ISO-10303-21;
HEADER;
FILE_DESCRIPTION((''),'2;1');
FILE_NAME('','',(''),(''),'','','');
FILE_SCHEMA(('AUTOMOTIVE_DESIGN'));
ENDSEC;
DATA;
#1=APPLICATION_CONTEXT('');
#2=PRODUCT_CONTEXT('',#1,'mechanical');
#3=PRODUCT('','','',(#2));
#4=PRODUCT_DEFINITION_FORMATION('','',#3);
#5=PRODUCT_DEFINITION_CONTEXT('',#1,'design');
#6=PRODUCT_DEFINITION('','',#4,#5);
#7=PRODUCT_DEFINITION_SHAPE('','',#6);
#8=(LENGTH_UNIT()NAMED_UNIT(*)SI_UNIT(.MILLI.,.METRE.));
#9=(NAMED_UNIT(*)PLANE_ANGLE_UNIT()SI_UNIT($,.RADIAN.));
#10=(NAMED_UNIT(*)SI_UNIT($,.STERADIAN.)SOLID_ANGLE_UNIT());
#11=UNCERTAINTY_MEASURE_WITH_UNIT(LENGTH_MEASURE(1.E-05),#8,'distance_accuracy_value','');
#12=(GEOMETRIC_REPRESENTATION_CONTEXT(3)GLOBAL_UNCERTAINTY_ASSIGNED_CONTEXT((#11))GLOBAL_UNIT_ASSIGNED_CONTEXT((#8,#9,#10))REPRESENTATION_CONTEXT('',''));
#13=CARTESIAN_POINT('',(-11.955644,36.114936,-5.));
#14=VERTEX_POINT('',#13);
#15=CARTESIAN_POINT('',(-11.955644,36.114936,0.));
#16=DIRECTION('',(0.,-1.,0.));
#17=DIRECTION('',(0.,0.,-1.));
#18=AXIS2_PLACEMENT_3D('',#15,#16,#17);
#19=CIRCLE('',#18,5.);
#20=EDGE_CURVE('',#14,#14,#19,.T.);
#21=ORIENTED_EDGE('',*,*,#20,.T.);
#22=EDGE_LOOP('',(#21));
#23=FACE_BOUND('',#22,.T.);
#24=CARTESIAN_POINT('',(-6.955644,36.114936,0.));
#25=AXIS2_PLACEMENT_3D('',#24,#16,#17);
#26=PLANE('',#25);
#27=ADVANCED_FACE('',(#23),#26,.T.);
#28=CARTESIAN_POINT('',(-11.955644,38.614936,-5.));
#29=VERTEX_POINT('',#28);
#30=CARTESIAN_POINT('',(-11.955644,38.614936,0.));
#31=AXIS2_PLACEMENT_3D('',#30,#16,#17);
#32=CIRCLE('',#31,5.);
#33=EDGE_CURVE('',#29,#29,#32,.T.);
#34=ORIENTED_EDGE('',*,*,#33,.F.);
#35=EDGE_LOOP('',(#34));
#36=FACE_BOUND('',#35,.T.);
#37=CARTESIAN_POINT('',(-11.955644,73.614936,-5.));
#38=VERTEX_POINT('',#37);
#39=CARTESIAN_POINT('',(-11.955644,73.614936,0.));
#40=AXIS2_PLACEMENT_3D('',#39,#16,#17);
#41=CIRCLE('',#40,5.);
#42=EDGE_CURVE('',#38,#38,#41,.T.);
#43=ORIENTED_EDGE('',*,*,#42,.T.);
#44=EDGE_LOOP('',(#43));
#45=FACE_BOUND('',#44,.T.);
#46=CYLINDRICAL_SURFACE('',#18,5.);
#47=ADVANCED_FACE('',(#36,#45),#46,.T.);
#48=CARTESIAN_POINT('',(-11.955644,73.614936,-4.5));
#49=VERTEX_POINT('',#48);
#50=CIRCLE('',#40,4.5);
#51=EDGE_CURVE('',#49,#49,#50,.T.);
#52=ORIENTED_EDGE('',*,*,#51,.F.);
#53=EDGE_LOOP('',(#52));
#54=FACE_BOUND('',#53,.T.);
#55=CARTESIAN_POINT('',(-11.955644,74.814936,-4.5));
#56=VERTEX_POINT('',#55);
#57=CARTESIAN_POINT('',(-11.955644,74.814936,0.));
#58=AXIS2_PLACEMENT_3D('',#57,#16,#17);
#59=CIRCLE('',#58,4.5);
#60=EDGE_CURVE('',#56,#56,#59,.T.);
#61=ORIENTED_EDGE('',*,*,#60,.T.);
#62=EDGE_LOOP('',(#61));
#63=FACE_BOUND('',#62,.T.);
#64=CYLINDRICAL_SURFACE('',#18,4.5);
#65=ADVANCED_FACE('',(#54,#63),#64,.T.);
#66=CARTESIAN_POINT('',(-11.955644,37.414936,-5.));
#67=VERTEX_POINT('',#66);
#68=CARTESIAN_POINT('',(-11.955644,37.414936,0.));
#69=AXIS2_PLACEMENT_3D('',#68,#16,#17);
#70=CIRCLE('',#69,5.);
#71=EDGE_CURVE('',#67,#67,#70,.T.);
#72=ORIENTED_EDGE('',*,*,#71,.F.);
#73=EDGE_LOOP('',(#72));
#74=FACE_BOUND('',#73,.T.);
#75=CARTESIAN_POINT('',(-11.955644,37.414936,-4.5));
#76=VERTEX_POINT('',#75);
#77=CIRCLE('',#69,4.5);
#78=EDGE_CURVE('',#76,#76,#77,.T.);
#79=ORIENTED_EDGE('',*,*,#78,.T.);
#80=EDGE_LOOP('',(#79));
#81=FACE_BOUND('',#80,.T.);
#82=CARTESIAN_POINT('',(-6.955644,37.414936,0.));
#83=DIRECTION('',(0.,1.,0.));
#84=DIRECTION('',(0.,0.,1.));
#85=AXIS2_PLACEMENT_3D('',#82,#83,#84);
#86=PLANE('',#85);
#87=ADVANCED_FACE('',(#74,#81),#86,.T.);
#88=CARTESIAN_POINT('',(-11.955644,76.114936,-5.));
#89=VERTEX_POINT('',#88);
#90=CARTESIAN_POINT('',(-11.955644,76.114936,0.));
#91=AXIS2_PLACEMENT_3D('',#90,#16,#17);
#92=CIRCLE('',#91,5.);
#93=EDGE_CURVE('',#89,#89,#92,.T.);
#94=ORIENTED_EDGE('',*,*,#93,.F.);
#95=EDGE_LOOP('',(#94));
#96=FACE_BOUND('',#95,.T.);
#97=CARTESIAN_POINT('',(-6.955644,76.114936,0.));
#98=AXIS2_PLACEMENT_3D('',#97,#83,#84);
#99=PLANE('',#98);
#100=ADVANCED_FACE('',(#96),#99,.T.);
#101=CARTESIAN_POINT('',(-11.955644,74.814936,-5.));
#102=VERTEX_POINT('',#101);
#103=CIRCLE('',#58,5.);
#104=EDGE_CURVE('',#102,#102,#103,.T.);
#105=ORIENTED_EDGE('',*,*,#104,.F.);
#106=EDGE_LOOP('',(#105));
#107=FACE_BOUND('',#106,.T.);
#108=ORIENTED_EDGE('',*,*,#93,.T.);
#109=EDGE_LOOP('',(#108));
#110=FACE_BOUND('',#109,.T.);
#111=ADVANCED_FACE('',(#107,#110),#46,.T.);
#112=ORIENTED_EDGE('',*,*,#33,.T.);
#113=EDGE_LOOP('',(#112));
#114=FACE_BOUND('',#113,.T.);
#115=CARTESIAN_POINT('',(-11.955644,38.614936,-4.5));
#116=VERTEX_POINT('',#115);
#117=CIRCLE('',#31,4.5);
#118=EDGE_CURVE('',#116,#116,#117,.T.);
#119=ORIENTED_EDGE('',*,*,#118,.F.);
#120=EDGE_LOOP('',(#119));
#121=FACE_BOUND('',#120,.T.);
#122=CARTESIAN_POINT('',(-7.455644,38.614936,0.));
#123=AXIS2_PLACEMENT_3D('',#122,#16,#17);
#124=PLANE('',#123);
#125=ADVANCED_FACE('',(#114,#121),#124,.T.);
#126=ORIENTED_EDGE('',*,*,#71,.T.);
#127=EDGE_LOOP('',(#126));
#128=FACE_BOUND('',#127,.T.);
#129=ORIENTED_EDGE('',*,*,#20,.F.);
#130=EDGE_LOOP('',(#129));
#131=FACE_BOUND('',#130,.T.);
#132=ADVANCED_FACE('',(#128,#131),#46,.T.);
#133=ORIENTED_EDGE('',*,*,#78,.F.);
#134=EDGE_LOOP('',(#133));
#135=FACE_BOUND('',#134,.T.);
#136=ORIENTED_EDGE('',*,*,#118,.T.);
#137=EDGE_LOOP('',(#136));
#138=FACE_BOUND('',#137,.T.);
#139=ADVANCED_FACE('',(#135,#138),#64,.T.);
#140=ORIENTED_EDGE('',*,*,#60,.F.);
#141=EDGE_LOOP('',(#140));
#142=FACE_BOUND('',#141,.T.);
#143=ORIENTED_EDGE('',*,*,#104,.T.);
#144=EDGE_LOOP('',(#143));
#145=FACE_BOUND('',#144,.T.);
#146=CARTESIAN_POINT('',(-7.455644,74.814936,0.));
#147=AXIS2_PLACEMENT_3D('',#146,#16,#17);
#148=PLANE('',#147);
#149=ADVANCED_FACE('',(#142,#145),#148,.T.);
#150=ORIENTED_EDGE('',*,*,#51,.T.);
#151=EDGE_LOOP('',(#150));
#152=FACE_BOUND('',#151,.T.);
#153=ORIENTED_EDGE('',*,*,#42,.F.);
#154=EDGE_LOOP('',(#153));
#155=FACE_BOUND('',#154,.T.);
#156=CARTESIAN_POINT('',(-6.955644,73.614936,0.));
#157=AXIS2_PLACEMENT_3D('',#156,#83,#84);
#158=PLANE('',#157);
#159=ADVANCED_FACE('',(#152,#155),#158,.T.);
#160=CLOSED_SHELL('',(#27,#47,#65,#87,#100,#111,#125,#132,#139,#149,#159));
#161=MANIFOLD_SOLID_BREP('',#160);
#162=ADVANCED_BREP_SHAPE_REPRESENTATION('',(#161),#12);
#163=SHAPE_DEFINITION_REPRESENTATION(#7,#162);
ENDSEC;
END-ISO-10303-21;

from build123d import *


with BuildPart() as part:
    # 草图1 → 旋转1 (revolve)
    with BuildSketch(Plane.XY, mode=Mode.PRIVATE) as revolve_1_sk:
        Polygon((-6.955644483, 36.114936393), (-11.955644483, 36.114936393), (-11.955644483, 76.114936393), (-6.955644483, 76.114936393), (-6.955644483, 74.814936393), (-7.455644483, 74.814936393), (-7.455644483, 73.614936393), (-6.955644483, 73.614936393), (-6.955644483, 38.614936393), (-7.455644483, 38.614936393), (-7.455644483, 37.414936393), (-6.955644483, 37.414936393), align=None)
    revolve(revolve_1_sk.sketch.rotate(Axis((-11.955644483, 36.114936393, 0), (0, 1, 0)), 90), axis=Axis((-11.955644483, 36.114936393, 0), (0, 1, 0)))


solid = part.part
